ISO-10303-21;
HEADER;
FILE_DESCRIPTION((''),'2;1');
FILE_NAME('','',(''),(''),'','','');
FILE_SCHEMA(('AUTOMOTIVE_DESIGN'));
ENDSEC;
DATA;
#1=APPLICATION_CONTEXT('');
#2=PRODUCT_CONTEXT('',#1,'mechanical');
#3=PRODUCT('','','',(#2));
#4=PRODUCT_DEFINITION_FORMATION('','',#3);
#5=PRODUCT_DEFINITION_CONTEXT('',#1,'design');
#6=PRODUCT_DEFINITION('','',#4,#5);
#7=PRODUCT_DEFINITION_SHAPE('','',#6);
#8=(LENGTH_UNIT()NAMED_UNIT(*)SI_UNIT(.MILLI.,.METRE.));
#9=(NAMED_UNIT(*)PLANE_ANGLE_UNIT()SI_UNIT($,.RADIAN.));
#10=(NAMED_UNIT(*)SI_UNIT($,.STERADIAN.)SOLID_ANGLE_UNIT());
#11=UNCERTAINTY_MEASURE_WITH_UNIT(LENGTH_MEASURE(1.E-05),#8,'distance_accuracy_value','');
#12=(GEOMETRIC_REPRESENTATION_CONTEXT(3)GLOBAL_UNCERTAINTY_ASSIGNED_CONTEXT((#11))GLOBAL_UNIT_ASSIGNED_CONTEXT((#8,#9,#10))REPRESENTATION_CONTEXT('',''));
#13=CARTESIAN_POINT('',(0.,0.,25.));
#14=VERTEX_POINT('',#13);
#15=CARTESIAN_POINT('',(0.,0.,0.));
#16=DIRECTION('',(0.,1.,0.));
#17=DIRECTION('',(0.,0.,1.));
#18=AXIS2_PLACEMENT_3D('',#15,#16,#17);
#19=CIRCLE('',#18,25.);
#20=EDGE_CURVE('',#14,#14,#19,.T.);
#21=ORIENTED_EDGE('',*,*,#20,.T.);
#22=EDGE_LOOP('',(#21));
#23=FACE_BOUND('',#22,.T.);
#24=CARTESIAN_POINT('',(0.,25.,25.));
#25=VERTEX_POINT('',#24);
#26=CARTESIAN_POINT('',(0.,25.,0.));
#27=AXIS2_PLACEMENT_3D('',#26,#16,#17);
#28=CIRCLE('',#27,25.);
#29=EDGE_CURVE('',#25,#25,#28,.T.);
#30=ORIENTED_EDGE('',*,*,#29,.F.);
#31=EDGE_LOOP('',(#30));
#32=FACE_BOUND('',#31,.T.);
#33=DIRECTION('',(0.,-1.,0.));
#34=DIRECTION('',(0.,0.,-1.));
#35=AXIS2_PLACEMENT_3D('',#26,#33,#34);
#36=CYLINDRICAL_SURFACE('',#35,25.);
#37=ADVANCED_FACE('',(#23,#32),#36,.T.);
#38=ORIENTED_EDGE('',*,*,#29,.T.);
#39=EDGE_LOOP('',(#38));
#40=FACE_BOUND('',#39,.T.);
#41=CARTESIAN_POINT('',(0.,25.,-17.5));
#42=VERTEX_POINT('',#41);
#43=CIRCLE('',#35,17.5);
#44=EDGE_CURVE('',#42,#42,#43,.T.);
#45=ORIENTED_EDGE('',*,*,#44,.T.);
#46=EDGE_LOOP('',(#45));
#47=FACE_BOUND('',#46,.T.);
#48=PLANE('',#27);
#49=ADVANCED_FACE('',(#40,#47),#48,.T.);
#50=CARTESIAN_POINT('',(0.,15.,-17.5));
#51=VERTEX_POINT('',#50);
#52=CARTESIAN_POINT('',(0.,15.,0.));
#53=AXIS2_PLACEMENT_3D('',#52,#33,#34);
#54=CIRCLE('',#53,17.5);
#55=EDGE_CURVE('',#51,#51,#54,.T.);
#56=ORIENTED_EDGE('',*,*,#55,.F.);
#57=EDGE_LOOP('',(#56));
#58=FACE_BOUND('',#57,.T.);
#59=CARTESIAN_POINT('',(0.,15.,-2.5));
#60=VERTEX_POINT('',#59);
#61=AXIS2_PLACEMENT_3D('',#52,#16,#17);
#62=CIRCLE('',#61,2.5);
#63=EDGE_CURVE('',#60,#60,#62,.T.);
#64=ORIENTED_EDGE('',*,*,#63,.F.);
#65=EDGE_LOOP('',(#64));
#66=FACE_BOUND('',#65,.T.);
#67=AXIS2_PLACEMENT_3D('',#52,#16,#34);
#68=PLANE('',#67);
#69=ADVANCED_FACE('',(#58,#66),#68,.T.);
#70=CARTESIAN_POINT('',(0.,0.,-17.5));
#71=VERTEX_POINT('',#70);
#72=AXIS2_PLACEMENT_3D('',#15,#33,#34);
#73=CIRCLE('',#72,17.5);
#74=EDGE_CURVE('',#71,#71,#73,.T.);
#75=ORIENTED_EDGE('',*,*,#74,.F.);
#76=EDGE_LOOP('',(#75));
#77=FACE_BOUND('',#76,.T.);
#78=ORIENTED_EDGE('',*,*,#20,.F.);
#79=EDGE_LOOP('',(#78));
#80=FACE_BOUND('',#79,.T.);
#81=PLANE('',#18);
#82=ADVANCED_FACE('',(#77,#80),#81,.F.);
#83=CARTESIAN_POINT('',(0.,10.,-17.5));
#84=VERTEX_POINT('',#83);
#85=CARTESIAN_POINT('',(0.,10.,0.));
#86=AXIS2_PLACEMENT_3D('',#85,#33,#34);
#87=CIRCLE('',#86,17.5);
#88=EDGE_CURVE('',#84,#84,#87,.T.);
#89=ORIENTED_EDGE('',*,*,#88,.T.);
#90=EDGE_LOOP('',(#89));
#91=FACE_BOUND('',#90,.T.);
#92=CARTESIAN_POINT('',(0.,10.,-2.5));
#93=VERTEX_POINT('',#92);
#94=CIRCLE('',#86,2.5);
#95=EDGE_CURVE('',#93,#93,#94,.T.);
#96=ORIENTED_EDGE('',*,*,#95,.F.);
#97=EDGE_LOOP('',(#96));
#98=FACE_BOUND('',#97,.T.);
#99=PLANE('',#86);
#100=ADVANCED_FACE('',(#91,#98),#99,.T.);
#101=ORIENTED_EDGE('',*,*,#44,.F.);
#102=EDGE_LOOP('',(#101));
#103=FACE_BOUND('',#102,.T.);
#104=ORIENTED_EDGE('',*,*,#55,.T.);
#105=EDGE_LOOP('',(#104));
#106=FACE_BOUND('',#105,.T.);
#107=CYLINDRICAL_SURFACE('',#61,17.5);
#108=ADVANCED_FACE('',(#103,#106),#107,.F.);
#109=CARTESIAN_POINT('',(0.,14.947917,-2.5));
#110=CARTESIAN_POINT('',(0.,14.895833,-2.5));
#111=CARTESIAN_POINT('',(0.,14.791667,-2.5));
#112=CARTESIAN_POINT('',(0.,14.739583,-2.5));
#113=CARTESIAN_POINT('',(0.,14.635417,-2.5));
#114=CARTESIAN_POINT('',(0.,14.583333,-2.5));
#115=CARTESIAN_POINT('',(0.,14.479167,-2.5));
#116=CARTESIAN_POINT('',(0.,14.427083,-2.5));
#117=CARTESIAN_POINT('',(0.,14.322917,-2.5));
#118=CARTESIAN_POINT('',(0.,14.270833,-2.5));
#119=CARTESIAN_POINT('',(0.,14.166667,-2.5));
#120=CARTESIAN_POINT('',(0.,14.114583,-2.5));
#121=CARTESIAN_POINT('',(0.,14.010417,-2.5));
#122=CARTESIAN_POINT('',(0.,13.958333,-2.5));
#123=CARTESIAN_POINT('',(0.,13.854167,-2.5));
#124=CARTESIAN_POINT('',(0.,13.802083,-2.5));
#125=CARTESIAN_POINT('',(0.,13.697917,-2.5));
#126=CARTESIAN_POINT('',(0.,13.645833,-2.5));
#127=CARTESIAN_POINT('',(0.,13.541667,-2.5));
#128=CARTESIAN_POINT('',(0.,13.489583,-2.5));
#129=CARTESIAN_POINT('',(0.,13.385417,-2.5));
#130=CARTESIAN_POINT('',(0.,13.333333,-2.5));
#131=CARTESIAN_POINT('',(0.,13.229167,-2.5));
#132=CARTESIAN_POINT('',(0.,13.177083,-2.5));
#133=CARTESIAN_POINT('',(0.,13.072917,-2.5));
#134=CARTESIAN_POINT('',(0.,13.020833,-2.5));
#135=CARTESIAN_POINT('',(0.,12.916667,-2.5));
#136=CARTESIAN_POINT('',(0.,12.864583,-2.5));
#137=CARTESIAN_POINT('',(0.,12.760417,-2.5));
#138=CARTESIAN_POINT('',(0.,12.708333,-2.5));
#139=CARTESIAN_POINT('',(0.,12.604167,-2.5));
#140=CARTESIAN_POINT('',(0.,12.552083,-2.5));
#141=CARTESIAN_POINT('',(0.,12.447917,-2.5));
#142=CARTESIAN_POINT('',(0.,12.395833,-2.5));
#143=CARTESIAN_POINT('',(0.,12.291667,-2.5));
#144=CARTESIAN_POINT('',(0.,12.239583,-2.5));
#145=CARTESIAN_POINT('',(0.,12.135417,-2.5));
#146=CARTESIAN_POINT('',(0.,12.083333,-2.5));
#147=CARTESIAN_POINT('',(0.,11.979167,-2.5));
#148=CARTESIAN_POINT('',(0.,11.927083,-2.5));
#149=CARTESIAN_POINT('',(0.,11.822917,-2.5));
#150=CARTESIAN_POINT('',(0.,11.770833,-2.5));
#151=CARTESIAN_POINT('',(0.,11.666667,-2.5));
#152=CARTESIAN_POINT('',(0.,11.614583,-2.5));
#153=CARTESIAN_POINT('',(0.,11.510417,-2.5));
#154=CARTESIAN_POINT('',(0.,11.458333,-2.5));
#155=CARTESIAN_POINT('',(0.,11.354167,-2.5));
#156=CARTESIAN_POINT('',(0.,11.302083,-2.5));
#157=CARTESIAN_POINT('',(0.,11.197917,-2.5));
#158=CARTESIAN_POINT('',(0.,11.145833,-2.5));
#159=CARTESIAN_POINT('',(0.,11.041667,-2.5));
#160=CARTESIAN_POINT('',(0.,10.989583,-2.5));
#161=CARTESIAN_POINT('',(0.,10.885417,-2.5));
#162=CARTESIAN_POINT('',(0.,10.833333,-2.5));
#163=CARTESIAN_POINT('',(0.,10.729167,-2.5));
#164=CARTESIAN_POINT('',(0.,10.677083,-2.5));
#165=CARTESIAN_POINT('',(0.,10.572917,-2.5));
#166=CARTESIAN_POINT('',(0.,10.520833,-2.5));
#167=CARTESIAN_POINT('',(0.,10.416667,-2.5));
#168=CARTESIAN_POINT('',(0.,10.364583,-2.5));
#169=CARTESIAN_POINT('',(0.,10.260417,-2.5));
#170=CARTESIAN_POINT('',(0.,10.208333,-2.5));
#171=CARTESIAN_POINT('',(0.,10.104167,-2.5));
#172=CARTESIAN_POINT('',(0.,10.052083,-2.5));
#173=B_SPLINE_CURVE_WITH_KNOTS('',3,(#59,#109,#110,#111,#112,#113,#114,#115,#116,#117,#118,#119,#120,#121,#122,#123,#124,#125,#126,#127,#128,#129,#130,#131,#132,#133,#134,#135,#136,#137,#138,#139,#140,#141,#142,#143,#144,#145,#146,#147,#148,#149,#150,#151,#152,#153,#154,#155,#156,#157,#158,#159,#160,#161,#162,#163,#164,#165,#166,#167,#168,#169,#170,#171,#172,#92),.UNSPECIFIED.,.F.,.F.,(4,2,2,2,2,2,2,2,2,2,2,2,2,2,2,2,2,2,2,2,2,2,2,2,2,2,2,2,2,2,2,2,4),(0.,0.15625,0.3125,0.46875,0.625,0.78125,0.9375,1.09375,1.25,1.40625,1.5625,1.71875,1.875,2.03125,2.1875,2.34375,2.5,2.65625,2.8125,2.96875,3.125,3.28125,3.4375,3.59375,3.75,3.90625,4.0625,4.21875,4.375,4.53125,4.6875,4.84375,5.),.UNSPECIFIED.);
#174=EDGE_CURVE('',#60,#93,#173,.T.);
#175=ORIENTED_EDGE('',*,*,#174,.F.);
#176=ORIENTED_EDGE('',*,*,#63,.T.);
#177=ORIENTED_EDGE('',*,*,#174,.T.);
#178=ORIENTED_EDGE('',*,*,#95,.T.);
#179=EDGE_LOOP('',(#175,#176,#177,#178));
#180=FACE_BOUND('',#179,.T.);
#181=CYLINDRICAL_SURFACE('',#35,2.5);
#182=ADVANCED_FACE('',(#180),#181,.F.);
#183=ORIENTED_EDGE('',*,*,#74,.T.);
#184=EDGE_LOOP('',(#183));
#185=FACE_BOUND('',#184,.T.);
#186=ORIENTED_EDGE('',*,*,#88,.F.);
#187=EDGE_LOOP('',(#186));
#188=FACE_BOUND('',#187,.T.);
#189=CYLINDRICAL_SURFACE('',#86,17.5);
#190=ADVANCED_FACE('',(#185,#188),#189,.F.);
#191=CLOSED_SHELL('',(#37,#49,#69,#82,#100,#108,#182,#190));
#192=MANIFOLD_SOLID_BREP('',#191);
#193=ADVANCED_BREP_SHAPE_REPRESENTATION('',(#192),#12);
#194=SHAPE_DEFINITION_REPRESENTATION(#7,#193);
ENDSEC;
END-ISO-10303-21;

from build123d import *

# Parameters (mm, degrees)
SKETCH_1_R          = 25
EXTRUDE_1_DEPTH     = 25
SKETCH_2_R          = 17.5
CUT_EXTRUDE_1_DEPTH = 10
SKETCH_3_R          = 2.5
CUT_EXTRUDE_2_DEPTH = 39.405728739


with BuildPart() as part:
    # 草图1 → 凸台-拉伸1 (new body)
    with BuildSketch(Plane(origin=(0, 0, 0), x_dir=(1, 0, 0), z_dir=(0, 1, 0))):
        with Locations(Location((0, 0, 0), (0, 0, 270))):
            Circle(SKETCH_1_R)
    extrude(amount=EXTRUDE_1_DEPTH)

    # 草图2 → 切除-拉伸1 (cut)
    with BuildSketch(Plane.XZ):
        with Locations(Location((0, 0, 0), (0, 0, 270))):
            Circle(SKETCH_2_R)
    cut_extrude_1 = extrude(amount=-CUT_EXTRUDE_1_DEPTH, mode=Mode.SUBTRACT)

    # 镜向1: 切除-拉伸1 across plane
    add(cut_extrude_1.mirror(Plane(origin=(0, 12.5, 0), x_dir=(0, 0, 1), z_dir=(0, -1, 0))), mode=Mode.SUBTRACT)

    # 草图3 → 切除-拉伸2 (cut, through all)
    with BuildSketch(Plane.XZ.offset(-10)):
        with Locations(Location((0, 0, 0), (0, 0, 270))):
            Circle(SKETCH_3_R)
    extrude(amount=-CUT_EXTRUDE_2_DEPTH, mode=Mode.SUBTRACT)


solid = part.part
